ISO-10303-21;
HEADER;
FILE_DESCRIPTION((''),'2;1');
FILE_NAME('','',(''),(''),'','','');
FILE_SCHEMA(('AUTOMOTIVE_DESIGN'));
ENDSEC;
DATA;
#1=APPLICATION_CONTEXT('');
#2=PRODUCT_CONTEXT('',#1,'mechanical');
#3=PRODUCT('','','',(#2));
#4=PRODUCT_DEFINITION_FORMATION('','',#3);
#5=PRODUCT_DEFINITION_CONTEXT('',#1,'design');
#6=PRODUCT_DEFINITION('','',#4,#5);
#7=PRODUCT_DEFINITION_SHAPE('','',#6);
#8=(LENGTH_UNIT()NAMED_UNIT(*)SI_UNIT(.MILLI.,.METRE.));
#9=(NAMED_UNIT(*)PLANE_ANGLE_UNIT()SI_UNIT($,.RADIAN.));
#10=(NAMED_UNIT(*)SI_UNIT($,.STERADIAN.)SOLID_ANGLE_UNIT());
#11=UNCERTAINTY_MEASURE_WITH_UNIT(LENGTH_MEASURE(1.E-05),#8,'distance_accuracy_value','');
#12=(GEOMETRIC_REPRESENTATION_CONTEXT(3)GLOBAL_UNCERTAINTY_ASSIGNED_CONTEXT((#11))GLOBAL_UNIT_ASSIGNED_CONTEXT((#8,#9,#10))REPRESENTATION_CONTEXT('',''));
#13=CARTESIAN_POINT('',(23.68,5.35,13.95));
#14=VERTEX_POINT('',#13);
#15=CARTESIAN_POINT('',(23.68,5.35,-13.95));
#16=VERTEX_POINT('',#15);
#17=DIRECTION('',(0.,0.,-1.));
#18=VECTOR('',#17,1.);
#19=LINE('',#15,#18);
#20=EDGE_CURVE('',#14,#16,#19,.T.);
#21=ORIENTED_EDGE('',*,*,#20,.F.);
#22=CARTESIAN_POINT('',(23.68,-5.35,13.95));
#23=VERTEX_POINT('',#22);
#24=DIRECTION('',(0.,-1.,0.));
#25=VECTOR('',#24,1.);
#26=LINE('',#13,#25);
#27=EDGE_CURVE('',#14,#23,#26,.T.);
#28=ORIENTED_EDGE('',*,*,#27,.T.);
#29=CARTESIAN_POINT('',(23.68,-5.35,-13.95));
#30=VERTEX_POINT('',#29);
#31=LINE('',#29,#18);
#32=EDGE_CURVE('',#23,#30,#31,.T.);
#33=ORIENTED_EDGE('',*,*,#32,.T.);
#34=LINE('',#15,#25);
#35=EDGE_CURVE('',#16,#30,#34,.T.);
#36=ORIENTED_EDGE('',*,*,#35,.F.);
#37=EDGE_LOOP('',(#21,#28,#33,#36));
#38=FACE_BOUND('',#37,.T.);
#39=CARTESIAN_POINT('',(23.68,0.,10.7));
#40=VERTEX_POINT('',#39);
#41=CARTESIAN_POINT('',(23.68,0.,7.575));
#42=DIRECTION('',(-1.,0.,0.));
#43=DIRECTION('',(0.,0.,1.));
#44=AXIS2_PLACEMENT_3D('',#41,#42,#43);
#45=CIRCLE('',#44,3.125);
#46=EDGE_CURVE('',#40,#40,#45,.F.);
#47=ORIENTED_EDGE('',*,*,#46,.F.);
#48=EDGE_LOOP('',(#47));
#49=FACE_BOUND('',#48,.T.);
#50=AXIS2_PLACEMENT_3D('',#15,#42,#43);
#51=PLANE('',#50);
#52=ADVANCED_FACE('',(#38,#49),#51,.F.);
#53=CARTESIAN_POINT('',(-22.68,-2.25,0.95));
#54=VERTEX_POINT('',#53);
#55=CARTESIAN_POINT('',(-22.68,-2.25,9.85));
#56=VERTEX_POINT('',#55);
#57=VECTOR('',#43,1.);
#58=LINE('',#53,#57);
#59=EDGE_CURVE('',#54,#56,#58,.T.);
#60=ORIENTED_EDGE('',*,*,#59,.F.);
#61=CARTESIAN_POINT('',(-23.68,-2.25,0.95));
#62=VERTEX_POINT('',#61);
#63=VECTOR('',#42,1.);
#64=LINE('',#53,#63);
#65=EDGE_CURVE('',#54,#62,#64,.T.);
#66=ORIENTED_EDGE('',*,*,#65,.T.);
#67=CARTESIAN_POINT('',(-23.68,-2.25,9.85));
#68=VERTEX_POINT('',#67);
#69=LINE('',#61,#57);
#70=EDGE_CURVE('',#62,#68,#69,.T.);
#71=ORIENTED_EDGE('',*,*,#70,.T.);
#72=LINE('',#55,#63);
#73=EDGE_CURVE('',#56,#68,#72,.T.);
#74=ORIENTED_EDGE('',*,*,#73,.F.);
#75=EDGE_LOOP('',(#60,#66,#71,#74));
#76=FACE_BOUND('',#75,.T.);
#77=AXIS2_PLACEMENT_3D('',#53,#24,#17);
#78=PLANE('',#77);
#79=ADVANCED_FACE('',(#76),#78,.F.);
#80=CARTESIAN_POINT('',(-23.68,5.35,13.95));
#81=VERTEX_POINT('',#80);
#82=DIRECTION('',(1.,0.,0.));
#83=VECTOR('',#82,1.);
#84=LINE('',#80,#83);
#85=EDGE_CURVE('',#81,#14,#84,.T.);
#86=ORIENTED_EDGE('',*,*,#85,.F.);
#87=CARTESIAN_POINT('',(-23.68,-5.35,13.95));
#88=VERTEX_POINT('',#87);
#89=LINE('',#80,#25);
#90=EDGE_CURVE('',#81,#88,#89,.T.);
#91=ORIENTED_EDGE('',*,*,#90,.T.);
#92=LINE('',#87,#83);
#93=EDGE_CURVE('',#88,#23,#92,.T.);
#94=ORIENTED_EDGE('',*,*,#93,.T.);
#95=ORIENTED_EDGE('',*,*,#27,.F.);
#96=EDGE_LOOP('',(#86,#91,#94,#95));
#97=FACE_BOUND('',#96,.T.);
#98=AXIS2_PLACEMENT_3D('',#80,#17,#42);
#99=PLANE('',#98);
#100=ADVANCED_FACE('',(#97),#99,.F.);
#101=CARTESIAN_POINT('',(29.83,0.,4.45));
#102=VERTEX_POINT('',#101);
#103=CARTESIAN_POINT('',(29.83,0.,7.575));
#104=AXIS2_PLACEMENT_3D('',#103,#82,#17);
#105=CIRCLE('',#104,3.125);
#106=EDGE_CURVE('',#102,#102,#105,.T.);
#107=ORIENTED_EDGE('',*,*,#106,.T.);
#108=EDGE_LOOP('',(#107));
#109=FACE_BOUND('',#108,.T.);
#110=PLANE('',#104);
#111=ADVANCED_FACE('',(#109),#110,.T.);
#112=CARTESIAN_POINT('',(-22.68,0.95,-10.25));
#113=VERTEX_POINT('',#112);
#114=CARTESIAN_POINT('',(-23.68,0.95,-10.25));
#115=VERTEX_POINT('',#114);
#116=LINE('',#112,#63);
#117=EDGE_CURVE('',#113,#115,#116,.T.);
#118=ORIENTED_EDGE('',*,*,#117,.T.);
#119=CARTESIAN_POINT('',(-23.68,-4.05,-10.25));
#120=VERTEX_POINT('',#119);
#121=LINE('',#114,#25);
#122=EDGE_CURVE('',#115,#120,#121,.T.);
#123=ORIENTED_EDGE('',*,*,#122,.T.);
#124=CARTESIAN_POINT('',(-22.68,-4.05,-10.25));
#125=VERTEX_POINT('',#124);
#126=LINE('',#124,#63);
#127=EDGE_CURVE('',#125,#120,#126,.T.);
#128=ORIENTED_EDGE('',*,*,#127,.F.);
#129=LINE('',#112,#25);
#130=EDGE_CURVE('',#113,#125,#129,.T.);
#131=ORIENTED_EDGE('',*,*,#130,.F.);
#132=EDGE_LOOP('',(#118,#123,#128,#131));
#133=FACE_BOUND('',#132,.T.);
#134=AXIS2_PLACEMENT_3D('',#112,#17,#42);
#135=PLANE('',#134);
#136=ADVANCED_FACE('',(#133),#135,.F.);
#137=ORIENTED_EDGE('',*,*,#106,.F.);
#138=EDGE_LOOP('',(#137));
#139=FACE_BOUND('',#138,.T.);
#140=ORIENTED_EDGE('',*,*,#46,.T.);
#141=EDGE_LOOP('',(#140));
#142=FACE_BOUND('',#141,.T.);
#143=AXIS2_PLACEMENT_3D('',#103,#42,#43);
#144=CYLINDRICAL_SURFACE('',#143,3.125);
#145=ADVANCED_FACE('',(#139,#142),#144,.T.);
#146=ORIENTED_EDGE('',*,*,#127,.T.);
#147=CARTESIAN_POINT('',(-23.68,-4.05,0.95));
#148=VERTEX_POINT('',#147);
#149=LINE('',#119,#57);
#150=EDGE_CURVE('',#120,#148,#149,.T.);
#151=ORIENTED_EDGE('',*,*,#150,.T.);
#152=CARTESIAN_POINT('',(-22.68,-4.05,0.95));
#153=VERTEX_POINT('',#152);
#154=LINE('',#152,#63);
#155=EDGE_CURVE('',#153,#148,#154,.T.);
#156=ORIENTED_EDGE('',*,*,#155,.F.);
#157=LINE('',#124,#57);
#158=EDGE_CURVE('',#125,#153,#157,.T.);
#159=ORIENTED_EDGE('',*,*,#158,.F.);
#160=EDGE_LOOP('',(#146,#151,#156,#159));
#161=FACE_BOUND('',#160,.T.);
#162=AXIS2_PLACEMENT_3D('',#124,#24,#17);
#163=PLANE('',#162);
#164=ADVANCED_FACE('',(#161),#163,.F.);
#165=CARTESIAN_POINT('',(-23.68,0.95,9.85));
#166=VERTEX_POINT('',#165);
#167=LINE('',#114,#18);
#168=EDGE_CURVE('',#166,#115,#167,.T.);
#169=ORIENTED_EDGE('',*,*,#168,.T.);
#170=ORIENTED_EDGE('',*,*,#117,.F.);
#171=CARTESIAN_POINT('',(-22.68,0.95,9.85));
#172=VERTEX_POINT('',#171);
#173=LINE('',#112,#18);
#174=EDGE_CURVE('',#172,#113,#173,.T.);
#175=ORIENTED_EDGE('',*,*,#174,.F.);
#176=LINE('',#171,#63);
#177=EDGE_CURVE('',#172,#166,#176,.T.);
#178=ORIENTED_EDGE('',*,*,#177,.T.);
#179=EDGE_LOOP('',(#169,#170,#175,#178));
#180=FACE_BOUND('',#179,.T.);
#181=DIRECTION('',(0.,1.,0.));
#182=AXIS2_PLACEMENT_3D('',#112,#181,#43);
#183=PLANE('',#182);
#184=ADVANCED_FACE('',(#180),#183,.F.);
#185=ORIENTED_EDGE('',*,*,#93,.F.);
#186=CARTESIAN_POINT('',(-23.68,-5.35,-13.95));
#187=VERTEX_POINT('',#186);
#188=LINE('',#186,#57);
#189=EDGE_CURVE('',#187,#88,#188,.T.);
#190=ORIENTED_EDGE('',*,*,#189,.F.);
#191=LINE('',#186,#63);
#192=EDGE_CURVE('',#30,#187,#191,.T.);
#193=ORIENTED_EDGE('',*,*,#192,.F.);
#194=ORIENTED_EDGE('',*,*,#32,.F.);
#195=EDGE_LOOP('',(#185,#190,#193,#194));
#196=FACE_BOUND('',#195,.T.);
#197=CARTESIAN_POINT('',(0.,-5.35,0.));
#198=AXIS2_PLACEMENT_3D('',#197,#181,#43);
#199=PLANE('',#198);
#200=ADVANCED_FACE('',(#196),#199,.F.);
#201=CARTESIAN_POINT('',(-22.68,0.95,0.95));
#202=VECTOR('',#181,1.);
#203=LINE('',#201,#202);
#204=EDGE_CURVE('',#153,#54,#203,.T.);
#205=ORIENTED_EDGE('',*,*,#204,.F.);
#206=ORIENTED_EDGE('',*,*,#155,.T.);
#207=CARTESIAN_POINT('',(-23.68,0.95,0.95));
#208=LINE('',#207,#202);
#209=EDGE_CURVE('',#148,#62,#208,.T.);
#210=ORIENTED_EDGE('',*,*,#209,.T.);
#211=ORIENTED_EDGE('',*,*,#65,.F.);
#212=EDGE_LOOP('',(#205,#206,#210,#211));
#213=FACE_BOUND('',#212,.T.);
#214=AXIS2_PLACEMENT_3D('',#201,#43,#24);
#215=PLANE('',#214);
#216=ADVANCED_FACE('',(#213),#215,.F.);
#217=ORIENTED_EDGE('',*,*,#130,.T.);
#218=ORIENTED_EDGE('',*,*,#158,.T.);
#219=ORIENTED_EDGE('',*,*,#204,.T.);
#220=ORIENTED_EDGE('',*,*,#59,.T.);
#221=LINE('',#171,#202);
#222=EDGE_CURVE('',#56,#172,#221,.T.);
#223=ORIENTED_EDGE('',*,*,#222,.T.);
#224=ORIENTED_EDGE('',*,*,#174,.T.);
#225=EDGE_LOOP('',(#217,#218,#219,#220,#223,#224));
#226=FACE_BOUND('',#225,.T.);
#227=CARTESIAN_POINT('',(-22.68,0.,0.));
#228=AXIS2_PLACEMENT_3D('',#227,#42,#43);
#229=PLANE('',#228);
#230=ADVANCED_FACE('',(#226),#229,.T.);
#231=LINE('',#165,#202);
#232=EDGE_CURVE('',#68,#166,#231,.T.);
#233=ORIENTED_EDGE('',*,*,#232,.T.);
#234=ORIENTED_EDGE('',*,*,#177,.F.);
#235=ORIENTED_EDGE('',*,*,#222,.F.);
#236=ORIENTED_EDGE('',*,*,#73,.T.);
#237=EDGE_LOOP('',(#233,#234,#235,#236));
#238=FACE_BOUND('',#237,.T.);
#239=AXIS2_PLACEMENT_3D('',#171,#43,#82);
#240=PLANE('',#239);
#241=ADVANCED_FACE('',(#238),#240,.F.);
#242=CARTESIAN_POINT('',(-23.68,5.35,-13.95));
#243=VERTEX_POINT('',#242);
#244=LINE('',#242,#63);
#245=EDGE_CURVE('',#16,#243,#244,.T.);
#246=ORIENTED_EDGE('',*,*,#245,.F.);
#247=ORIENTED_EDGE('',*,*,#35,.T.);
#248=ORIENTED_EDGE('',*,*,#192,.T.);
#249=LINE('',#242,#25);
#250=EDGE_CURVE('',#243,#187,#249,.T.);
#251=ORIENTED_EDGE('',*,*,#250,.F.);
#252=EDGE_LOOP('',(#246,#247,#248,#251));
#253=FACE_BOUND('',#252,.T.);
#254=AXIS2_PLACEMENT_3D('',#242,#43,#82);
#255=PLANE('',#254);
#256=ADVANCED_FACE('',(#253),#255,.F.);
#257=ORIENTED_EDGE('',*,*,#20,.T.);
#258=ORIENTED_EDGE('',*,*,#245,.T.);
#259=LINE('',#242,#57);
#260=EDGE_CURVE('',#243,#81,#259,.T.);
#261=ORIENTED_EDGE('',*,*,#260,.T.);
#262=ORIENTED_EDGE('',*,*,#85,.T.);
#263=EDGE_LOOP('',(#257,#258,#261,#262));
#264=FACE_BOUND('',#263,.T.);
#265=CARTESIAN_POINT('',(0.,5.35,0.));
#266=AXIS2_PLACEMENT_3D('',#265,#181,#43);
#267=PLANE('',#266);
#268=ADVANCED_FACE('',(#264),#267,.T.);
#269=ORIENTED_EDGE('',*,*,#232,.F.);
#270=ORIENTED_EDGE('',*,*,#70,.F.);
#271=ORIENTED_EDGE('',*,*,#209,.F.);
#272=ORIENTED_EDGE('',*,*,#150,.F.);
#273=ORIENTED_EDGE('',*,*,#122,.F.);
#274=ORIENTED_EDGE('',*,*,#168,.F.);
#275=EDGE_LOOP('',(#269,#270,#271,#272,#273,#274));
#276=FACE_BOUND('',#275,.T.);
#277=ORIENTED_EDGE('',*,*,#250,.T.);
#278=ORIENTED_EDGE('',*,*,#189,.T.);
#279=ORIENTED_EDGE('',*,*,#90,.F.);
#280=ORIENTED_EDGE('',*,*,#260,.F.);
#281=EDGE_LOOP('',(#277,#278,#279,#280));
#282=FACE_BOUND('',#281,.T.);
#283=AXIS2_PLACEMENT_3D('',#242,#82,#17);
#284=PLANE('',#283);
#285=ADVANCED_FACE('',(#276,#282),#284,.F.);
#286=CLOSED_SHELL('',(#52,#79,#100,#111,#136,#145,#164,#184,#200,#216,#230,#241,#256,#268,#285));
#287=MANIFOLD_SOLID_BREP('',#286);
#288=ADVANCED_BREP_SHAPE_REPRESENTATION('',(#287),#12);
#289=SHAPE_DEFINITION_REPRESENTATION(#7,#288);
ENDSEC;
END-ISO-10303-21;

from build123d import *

# Parameters (mm, degrees)
SKETCH1_W           = 47.36
SKETCH1_H           = 27.9
BOSS_EXTRUDE1_DEPTH = 5.35
SKETCH2_R           = 3.125
BOSS_EXTRUDE2_DEPTH = 6.15
SKETCH3_W           = 11.2
SKETCH3_H           = 5
CUT_EXTRUDE1_DEPTH  = 1
SKETCH5_W           = 8.9
SKETCH5_H           = 3.2
CUT_EXTRUDE2_DEPTH  = 1


with BuildPart() as part:
    # Sketch1 → Boss-Extrude1 (new, symmetric)
    with BuildSketch(Plane(origin=(0, 0, 0), x_dir=(1, 0, 0), z_dir=(0, 1, 0))):
        Rectangle(SKETCH1_W, SKETCH1_H)
    extrude(amount=BOSS_EXTRUDE1_DEPTH, both=True)

    # Sketch2 → Boss-Extrude2 (add)
    with BuildSketch(Plane(origin=(23.68, 0, 0), x_dir=(0, 0, -1), z_dir=(1, 0, 0))):
        with Locations(Location((-7.575, 0, 0), (0, 0, 180))):
            Circle(SKETCH2_R)
    extrude(amount=BOSS_EXTRUDE2_DEPTH)

    # Sketch3 → Cut-Extrude1 (cut)
    with BuildSketch(Plane.ZY.offset(23.68)):
        with Locations((-4.65, -1.55)):
            Rectangle(SKETCH3_W, SKETCH3_H)
    extrude(amount=-CUT_EXTRUDE1_DEPTH, mode=Mode.SUBTRACT)

    # Sketch5 → Cut-Extrude2 (cut)
    with BuildSketch(Plane.ZY.offset(23.68)):
        with Locations((5.4, -0.65)):
            Rectangle(SKETCH5_W, SKETCH5_H)
    extrude(amount=-CUT_EXTRUDE2_DEPTH, mode=Mode.SUBTRACT)


solid = part.part
